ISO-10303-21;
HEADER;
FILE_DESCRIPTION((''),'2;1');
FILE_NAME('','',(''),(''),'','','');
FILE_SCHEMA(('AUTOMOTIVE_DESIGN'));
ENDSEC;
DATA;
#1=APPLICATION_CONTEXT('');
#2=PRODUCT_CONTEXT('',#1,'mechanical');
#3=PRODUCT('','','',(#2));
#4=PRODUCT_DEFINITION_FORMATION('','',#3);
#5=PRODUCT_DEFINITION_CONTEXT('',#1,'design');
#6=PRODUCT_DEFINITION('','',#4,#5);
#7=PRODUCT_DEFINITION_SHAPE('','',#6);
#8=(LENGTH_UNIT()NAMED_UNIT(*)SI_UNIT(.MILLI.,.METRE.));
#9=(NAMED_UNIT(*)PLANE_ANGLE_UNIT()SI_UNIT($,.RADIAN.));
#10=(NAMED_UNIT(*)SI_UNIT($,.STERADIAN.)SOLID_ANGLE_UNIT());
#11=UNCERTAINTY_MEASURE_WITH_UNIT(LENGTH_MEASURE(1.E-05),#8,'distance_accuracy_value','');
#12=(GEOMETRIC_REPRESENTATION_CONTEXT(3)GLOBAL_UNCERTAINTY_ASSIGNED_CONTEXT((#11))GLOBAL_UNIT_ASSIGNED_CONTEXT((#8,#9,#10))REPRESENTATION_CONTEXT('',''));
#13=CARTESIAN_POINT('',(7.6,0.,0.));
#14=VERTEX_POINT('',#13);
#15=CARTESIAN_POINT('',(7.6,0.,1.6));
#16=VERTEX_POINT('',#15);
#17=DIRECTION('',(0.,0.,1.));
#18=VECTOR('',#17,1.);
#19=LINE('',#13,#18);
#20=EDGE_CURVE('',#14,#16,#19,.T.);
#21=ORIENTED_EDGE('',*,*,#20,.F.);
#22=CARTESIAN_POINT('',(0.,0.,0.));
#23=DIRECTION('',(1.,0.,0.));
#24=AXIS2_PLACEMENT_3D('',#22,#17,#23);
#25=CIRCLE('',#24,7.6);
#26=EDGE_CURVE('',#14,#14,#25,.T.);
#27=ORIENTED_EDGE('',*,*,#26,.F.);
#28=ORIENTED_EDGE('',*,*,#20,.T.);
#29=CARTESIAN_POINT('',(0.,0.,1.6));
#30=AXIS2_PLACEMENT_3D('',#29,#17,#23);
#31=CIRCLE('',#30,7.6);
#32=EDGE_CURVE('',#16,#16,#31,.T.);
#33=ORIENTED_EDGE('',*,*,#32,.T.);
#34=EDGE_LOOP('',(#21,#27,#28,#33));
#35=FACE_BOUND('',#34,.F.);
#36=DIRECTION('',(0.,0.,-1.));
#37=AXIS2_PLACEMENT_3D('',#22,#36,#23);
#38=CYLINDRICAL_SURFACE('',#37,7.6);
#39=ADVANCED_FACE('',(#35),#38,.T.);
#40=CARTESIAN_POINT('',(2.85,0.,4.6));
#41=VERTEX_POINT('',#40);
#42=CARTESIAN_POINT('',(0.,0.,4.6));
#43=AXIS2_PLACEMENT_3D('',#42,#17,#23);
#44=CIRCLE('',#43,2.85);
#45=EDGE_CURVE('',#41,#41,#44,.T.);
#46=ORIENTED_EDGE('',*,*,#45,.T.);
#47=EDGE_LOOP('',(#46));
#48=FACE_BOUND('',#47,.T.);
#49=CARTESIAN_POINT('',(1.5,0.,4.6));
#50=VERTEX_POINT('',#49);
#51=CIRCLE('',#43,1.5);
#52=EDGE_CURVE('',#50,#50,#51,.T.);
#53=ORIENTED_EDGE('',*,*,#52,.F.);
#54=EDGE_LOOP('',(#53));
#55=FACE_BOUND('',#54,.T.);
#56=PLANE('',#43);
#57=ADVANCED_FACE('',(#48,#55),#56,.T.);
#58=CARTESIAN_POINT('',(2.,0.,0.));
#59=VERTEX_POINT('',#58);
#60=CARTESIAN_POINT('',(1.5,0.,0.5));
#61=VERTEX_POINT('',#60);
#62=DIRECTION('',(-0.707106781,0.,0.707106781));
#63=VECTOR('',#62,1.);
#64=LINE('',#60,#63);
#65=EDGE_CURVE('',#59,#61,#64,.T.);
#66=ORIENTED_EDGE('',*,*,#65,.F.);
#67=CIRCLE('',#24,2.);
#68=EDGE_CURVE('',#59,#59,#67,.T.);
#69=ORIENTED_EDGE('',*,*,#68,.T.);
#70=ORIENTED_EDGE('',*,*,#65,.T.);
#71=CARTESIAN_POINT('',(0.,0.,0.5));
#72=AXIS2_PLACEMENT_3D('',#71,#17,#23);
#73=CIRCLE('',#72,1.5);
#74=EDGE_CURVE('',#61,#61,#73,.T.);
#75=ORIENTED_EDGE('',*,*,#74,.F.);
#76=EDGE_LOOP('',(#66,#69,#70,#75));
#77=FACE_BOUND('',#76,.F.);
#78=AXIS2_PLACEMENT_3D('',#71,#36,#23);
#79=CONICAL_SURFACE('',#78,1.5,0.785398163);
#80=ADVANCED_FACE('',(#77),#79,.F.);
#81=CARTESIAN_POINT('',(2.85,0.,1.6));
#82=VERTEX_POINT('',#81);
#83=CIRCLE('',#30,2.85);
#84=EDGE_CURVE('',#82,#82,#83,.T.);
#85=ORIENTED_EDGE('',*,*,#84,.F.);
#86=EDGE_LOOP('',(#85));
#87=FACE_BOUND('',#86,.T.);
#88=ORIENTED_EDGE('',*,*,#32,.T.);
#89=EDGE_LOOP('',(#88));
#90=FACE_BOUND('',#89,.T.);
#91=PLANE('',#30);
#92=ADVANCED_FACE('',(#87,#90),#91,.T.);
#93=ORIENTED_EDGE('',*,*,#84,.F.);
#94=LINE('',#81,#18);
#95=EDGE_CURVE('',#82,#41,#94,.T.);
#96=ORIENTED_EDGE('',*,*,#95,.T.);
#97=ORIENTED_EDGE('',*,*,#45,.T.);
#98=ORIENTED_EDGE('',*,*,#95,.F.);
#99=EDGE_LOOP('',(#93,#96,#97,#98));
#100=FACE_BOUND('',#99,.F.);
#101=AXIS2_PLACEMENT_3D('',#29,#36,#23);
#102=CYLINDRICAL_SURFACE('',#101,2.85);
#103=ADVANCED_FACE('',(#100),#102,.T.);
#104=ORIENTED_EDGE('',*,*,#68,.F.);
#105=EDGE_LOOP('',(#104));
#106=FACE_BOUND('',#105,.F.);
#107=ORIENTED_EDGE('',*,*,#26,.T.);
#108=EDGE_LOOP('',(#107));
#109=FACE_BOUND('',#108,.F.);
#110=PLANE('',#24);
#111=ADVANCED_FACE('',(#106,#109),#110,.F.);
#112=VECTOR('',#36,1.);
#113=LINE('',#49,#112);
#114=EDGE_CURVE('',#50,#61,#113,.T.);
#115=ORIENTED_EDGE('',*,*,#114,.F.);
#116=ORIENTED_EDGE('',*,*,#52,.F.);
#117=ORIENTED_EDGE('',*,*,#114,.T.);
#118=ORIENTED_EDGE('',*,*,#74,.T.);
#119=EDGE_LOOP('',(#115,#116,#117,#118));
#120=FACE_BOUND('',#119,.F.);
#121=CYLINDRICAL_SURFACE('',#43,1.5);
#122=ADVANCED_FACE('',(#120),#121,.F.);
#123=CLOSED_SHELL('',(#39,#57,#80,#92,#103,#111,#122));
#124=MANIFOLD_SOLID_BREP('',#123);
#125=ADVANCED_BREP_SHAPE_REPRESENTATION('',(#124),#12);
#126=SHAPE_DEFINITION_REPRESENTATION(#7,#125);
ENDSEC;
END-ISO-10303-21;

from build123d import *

# Parameters (mm, degrees)
F0_R     = 7.6
F1_DEPTH = 1.6
F2_R     = 2.85
F3_DEPTH = 3
F4_R     = 1.5
F5_DEPTH = 25
F6_SIZE  = 0.5


with BuildPart() as f1:
    # F0 (on Top) → F1 (new body)
    with BuildSketch(Plane.XY):
        Circle(F0_R)
    extrude(amount=F1_DEPTH)

    # F2 (on face) → F3 (join)
    with BuildSketch(Plane.XY.offset(1.6)):
        Circle(F2_R)
    extrude(amount=F3_DEPTH)

    # F4 (on face) → F5 (cut)
    with BuildSketch(Plane.XY.offset(4.6)):
        Circle(F4_R)
    extrude(amount=-F5_DEPTH, mode=Mode.SUBTRACT)

    # F6
    f6_edges = [f1.edges().sort_by_distance(p)[0] for p in [
        (-1.5, 0, 0),
    ]]
    chamfer(f6_edges, length=F6_SIZE)


solid = f1.part
